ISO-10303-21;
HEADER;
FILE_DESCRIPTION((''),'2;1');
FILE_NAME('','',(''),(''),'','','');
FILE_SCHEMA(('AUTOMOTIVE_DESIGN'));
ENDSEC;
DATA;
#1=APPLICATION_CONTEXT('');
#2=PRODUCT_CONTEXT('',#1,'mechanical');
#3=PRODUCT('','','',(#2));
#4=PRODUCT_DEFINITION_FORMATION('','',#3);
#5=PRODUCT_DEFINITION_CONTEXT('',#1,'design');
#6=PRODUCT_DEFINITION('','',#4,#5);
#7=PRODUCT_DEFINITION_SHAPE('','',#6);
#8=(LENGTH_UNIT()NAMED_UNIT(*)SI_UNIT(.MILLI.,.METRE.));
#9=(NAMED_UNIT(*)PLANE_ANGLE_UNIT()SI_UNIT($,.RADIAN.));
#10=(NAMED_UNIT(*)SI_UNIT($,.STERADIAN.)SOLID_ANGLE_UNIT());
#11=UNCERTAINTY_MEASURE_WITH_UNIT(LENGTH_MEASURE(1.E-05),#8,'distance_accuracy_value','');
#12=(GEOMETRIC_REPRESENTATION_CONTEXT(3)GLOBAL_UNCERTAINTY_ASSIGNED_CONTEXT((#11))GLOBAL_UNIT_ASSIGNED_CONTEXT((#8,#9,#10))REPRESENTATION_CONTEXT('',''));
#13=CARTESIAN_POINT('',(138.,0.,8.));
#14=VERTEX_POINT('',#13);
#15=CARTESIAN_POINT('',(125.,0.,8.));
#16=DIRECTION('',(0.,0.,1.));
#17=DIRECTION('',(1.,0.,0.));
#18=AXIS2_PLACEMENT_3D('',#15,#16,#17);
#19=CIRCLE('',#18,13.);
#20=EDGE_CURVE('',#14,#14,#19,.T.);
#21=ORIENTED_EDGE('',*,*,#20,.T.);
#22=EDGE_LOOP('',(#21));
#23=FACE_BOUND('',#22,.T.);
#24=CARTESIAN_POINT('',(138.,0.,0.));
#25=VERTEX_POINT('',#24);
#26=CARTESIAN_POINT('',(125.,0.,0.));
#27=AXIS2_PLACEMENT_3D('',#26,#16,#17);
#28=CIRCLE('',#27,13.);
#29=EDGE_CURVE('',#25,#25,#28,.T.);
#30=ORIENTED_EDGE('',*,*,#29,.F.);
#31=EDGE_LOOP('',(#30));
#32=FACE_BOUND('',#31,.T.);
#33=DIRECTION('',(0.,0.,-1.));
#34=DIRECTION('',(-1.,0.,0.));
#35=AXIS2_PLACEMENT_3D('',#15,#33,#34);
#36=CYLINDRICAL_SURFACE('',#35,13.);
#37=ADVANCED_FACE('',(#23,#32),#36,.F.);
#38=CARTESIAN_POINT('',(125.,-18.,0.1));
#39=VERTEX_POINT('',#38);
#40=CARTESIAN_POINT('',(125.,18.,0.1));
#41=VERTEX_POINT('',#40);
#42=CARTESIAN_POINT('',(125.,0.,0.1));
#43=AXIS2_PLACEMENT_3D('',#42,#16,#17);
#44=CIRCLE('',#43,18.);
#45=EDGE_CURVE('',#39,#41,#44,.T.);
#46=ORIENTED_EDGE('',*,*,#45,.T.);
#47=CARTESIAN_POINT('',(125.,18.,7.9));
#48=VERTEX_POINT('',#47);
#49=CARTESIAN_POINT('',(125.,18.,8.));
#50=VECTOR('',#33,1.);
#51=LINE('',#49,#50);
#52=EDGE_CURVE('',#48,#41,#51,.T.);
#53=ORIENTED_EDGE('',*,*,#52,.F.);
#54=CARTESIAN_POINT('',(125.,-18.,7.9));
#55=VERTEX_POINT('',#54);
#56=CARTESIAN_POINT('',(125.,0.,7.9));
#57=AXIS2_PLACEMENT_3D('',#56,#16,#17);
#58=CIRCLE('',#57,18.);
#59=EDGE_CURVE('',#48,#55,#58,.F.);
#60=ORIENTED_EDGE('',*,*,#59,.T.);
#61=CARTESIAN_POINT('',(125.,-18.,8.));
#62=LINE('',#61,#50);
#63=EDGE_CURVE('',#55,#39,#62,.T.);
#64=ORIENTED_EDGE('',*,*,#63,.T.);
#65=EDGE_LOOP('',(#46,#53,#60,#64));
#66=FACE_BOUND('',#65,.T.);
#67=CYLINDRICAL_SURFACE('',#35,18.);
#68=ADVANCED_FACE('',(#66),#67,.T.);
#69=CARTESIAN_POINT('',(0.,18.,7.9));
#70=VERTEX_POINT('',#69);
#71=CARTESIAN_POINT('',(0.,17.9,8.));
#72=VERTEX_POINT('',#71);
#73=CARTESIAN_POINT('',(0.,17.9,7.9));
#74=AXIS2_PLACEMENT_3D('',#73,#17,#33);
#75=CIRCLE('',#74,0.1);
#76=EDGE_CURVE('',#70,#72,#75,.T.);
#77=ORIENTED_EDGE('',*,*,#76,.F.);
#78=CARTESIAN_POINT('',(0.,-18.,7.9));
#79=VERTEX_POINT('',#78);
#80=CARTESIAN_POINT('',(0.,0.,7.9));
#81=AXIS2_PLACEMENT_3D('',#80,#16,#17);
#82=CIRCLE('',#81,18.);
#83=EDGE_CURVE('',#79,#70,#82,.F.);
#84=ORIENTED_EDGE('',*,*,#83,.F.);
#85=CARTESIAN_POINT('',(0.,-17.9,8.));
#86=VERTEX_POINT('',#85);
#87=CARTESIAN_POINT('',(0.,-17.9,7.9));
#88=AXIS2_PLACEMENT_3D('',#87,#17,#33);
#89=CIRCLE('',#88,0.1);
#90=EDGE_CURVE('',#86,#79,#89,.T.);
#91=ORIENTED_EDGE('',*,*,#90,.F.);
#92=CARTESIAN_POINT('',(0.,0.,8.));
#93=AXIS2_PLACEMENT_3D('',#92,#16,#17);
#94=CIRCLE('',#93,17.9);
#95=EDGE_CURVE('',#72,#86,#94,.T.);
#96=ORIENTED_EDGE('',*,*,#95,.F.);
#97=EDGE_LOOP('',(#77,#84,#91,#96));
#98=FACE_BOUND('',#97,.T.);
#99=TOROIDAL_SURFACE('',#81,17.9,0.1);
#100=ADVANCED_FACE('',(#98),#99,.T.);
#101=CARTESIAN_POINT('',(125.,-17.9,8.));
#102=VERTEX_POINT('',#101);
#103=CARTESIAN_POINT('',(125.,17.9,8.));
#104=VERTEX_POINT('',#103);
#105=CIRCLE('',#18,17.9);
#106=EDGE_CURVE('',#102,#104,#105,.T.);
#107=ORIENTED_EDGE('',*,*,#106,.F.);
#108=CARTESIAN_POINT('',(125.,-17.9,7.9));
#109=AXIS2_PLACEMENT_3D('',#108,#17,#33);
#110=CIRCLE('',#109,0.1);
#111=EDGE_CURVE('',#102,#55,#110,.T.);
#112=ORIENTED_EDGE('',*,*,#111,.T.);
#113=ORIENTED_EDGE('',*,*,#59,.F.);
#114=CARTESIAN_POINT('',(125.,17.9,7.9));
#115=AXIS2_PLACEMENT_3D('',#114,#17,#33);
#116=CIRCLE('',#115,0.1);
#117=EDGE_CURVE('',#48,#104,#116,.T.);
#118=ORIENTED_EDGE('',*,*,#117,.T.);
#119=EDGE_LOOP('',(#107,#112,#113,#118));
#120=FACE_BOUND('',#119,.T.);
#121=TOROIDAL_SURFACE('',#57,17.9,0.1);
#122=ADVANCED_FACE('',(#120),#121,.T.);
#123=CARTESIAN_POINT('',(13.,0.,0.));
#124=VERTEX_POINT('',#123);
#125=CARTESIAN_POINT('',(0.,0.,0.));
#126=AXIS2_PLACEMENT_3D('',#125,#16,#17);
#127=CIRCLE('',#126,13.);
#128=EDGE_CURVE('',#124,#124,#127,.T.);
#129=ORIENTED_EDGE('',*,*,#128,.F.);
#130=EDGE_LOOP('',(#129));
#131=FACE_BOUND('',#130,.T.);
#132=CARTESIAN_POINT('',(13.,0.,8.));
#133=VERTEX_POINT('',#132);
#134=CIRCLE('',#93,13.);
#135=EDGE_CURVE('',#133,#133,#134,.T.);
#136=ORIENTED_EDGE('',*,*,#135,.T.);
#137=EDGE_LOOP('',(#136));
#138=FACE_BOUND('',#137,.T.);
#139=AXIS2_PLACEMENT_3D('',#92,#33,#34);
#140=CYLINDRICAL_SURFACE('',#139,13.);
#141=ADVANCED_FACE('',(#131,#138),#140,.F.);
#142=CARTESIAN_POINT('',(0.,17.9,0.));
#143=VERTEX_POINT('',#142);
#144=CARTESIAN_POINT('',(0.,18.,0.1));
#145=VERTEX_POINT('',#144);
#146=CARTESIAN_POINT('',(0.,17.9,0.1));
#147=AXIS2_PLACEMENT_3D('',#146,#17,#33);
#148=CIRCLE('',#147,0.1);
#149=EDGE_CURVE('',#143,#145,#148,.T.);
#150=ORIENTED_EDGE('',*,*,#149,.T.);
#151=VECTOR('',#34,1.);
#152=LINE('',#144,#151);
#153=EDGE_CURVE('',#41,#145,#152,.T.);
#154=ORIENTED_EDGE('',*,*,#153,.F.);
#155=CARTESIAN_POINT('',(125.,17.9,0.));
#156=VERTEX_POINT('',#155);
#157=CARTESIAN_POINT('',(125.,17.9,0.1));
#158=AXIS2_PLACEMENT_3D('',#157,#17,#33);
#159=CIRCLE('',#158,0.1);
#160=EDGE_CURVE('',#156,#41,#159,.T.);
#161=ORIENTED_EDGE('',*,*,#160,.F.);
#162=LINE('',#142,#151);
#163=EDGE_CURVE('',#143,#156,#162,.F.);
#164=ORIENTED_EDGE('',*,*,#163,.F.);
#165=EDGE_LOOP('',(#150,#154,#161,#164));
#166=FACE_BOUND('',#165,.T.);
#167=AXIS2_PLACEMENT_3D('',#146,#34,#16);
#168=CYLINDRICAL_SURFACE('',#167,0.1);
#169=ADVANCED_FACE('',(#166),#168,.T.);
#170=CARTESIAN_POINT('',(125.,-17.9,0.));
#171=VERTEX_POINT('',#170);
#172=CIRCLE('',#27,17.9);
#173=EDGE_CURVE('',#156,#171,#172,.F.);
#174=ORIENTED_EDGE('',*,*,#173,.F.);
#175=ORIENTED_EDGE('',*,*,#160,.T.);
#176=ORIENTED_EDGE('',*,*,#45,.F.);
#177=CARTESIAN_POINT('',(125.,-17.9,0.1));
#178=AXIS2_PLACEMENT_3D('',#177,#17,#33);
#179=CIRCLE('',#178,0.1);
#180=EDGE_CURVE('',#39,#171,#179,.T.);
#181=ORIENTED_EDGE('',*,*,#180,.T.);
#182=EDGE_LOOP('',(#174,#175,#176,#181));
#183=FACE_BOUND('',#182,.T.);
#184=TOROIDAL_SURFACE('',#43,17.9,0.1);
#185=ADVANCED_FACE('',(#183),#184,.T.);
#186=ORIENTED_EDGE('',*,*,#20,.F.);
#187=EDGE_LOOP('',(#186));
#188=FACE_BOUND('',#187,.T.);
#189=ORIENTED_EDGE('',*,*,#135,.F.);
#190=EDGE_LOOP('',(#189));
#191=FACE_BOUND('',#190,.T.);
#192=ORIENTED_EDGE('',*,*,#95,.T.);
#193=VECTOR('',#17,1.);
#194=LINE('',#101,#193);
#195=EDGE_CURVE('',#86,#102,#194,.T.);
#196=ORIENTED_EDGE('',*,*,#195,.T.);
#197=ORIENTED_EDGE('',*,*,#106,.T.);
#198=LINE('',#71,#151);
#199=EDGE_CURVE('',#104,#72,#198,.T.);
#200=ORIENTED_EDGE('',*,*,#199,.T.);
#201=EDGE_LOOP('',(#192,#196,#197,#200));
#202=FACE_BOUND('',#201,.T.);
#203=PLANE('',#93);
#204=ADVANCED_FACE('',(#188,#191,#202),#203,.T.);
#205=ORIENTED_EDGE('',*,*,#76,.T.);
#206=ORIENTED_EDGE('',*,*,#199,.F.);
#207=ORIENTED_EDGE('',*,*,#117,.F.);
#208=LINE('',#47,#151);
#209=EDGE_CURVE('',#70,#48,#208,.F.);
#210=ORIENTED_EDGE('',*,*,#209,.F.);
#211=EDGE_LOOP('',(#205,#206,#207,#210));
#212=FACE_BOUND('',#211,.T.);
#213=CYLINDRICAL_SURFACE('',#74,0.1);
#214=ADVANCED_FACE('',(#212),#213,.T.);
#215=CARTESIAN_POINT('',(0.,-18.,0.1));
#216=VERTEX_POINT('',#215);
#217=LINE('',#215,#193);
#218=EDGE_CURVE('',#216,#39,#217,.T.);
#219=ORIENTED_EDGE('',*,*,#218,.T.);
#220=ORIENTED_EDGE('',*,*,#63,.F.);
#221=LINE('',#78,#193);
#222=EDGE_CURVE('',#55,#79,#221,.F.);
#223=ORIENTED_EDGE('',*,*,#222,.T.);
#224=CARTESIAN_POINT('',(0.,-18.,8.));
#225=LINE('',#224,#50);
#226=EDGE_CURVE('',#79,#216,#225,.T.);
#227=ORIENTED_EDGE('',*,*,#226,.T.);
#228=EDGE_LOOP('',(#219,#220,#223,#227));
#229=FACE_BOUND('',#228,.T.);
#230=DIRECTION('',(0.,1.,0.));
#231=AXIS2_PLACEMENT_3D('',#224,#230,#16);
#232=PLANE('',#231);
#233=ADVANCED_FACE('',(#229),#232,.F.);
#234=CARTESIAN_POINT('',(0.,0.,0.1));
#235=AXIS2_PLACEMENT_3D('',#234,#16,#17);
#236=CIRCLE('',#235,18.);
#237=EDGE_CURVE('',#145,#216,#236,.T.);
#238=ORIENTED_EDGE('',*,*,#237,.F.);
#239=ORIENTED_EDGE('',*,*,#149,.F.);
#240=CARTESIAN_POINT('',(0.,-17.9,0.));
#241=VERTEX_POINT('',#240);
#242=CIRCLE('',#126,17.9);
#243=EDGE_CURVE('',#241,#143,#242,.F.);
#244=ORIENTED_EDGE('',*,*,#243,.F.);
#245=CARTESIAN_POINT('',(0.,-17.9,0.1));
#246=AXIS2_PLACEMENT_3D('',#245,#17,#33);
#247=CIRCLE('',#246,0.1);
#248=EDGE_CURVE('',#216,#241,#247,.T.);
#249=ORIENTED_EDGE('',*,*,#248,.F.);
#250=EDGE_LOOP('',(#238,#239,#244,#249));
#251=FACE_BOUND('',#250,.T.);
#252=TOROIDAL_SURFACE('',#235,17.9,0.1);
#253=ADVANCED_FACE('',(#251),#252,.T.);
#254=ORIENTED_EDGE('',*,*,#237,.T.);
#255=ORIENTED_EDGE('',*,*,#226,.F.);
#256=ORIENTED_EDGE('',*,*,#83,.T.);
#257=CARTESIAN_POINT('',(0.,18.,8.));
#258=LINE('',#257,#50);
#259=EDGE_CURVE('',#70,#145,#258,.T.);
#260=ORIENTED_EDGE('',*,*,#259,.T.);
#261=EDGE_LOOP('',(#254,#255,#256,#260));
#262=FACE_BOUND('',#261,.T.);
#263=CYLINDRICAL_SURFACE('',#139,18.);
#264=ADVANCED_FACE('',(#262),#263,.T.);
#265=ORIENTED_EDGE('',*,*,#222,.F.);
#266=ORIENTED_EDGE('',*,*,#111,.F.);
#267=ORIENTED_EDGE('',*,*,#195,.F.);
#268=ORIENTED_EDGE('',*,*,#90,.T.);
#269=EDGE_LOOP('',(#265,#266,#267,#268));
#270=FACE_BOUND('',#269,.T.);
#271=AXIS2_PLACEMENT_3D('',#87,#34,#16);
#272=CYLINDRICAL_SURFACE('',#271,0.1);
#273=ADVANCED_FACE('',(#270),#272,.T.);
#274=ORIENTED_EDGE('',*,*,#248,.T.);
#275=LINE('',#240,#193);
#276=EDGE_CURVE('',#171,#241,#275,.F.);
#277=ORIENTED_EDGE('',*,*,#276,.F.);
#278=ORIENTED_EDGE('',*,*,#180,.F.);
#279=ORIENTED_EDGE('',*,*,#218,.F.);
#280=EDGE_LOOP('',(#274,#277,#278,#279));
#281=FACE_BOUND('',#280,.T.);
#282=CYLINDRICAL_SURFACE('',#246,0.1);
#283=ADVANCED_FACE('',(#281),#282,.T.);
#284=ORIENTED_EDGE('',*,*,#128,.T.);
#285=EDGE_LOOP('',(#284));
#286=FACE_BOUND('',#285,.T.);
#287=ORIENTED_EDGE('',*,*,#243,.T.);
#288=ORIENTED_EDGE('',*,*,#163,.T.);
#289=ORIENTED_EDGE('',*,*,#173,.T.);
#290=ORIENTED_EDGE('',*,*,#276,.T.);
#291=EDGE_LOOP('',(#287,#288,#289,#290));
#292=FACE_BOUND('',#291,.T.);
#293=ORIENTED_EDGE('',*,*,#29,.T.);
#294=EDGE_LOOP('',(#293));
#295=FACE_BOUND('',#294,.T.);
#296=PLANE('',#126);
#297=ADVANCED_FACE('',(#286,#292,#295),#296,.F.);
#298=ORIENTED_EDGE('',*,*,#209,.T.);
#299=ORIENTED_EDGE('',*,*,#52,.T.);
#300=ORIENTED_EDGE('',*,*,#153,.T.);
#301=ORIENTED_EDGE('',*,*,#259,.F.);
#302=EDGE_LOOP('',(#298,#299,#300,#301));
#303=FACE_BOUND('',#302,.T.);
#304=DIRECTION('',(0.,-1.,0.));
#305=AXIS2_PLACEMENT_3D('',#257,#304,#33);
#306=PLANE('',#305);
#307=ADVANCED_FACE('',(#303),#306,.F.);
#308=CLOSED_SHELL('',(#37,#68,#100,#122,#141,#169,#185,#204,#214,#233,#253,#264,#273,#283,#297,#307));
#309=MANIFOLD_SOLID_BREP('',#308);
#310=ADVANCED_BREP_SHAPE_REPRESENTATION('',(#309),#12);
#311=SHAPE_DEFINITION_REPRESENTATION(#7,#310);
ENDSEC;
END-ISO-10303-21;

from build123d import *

# Parameters (mm, degrees)
SKETCH1_R           = 13
BOSS_EXTRUDE1_DEPTH = 8
FILLET1_R           = 0.1


with BuildPart() as part:
    # Sketch1 → Boss-Extrude1 (new body)
    with BuildSketch(Plane.XY):
        with BuildLine():
            Line((0, 18), (125, 18))
            ThreePointArc((125, 18), (143, 0), (125, -18))
            Line((125, -18), (0, -18))
            ThreePointArc((0, -18), (-18, 0), (0, 18))
        make_face()
        Circle(SKETCH1_R, mode=Mode.SUBTRACT)
        with Locations((125, 0)):
            Circle(SKETCH1_R, mode=Mode.SUBTRACT)
    extrude(amount=BOSS_EXTRUDE1_DEPTH)

    # Fillet1
    fillet1_edges = [part.edges().sort_by_distance(p)[0] for p in [
        (143, 0, 8),
        (62.5, 18, 8),
        (-18, 0, 8),
        (62.5, 18, 0),
        (143, 0, 0),
        (62.5, -18, 0),
        (-18, 0, 0),
        (62.5, -18, 8),
    ]]
    fillet(fillet1_edges, radius=FILLET1_R)


solid = part.part
